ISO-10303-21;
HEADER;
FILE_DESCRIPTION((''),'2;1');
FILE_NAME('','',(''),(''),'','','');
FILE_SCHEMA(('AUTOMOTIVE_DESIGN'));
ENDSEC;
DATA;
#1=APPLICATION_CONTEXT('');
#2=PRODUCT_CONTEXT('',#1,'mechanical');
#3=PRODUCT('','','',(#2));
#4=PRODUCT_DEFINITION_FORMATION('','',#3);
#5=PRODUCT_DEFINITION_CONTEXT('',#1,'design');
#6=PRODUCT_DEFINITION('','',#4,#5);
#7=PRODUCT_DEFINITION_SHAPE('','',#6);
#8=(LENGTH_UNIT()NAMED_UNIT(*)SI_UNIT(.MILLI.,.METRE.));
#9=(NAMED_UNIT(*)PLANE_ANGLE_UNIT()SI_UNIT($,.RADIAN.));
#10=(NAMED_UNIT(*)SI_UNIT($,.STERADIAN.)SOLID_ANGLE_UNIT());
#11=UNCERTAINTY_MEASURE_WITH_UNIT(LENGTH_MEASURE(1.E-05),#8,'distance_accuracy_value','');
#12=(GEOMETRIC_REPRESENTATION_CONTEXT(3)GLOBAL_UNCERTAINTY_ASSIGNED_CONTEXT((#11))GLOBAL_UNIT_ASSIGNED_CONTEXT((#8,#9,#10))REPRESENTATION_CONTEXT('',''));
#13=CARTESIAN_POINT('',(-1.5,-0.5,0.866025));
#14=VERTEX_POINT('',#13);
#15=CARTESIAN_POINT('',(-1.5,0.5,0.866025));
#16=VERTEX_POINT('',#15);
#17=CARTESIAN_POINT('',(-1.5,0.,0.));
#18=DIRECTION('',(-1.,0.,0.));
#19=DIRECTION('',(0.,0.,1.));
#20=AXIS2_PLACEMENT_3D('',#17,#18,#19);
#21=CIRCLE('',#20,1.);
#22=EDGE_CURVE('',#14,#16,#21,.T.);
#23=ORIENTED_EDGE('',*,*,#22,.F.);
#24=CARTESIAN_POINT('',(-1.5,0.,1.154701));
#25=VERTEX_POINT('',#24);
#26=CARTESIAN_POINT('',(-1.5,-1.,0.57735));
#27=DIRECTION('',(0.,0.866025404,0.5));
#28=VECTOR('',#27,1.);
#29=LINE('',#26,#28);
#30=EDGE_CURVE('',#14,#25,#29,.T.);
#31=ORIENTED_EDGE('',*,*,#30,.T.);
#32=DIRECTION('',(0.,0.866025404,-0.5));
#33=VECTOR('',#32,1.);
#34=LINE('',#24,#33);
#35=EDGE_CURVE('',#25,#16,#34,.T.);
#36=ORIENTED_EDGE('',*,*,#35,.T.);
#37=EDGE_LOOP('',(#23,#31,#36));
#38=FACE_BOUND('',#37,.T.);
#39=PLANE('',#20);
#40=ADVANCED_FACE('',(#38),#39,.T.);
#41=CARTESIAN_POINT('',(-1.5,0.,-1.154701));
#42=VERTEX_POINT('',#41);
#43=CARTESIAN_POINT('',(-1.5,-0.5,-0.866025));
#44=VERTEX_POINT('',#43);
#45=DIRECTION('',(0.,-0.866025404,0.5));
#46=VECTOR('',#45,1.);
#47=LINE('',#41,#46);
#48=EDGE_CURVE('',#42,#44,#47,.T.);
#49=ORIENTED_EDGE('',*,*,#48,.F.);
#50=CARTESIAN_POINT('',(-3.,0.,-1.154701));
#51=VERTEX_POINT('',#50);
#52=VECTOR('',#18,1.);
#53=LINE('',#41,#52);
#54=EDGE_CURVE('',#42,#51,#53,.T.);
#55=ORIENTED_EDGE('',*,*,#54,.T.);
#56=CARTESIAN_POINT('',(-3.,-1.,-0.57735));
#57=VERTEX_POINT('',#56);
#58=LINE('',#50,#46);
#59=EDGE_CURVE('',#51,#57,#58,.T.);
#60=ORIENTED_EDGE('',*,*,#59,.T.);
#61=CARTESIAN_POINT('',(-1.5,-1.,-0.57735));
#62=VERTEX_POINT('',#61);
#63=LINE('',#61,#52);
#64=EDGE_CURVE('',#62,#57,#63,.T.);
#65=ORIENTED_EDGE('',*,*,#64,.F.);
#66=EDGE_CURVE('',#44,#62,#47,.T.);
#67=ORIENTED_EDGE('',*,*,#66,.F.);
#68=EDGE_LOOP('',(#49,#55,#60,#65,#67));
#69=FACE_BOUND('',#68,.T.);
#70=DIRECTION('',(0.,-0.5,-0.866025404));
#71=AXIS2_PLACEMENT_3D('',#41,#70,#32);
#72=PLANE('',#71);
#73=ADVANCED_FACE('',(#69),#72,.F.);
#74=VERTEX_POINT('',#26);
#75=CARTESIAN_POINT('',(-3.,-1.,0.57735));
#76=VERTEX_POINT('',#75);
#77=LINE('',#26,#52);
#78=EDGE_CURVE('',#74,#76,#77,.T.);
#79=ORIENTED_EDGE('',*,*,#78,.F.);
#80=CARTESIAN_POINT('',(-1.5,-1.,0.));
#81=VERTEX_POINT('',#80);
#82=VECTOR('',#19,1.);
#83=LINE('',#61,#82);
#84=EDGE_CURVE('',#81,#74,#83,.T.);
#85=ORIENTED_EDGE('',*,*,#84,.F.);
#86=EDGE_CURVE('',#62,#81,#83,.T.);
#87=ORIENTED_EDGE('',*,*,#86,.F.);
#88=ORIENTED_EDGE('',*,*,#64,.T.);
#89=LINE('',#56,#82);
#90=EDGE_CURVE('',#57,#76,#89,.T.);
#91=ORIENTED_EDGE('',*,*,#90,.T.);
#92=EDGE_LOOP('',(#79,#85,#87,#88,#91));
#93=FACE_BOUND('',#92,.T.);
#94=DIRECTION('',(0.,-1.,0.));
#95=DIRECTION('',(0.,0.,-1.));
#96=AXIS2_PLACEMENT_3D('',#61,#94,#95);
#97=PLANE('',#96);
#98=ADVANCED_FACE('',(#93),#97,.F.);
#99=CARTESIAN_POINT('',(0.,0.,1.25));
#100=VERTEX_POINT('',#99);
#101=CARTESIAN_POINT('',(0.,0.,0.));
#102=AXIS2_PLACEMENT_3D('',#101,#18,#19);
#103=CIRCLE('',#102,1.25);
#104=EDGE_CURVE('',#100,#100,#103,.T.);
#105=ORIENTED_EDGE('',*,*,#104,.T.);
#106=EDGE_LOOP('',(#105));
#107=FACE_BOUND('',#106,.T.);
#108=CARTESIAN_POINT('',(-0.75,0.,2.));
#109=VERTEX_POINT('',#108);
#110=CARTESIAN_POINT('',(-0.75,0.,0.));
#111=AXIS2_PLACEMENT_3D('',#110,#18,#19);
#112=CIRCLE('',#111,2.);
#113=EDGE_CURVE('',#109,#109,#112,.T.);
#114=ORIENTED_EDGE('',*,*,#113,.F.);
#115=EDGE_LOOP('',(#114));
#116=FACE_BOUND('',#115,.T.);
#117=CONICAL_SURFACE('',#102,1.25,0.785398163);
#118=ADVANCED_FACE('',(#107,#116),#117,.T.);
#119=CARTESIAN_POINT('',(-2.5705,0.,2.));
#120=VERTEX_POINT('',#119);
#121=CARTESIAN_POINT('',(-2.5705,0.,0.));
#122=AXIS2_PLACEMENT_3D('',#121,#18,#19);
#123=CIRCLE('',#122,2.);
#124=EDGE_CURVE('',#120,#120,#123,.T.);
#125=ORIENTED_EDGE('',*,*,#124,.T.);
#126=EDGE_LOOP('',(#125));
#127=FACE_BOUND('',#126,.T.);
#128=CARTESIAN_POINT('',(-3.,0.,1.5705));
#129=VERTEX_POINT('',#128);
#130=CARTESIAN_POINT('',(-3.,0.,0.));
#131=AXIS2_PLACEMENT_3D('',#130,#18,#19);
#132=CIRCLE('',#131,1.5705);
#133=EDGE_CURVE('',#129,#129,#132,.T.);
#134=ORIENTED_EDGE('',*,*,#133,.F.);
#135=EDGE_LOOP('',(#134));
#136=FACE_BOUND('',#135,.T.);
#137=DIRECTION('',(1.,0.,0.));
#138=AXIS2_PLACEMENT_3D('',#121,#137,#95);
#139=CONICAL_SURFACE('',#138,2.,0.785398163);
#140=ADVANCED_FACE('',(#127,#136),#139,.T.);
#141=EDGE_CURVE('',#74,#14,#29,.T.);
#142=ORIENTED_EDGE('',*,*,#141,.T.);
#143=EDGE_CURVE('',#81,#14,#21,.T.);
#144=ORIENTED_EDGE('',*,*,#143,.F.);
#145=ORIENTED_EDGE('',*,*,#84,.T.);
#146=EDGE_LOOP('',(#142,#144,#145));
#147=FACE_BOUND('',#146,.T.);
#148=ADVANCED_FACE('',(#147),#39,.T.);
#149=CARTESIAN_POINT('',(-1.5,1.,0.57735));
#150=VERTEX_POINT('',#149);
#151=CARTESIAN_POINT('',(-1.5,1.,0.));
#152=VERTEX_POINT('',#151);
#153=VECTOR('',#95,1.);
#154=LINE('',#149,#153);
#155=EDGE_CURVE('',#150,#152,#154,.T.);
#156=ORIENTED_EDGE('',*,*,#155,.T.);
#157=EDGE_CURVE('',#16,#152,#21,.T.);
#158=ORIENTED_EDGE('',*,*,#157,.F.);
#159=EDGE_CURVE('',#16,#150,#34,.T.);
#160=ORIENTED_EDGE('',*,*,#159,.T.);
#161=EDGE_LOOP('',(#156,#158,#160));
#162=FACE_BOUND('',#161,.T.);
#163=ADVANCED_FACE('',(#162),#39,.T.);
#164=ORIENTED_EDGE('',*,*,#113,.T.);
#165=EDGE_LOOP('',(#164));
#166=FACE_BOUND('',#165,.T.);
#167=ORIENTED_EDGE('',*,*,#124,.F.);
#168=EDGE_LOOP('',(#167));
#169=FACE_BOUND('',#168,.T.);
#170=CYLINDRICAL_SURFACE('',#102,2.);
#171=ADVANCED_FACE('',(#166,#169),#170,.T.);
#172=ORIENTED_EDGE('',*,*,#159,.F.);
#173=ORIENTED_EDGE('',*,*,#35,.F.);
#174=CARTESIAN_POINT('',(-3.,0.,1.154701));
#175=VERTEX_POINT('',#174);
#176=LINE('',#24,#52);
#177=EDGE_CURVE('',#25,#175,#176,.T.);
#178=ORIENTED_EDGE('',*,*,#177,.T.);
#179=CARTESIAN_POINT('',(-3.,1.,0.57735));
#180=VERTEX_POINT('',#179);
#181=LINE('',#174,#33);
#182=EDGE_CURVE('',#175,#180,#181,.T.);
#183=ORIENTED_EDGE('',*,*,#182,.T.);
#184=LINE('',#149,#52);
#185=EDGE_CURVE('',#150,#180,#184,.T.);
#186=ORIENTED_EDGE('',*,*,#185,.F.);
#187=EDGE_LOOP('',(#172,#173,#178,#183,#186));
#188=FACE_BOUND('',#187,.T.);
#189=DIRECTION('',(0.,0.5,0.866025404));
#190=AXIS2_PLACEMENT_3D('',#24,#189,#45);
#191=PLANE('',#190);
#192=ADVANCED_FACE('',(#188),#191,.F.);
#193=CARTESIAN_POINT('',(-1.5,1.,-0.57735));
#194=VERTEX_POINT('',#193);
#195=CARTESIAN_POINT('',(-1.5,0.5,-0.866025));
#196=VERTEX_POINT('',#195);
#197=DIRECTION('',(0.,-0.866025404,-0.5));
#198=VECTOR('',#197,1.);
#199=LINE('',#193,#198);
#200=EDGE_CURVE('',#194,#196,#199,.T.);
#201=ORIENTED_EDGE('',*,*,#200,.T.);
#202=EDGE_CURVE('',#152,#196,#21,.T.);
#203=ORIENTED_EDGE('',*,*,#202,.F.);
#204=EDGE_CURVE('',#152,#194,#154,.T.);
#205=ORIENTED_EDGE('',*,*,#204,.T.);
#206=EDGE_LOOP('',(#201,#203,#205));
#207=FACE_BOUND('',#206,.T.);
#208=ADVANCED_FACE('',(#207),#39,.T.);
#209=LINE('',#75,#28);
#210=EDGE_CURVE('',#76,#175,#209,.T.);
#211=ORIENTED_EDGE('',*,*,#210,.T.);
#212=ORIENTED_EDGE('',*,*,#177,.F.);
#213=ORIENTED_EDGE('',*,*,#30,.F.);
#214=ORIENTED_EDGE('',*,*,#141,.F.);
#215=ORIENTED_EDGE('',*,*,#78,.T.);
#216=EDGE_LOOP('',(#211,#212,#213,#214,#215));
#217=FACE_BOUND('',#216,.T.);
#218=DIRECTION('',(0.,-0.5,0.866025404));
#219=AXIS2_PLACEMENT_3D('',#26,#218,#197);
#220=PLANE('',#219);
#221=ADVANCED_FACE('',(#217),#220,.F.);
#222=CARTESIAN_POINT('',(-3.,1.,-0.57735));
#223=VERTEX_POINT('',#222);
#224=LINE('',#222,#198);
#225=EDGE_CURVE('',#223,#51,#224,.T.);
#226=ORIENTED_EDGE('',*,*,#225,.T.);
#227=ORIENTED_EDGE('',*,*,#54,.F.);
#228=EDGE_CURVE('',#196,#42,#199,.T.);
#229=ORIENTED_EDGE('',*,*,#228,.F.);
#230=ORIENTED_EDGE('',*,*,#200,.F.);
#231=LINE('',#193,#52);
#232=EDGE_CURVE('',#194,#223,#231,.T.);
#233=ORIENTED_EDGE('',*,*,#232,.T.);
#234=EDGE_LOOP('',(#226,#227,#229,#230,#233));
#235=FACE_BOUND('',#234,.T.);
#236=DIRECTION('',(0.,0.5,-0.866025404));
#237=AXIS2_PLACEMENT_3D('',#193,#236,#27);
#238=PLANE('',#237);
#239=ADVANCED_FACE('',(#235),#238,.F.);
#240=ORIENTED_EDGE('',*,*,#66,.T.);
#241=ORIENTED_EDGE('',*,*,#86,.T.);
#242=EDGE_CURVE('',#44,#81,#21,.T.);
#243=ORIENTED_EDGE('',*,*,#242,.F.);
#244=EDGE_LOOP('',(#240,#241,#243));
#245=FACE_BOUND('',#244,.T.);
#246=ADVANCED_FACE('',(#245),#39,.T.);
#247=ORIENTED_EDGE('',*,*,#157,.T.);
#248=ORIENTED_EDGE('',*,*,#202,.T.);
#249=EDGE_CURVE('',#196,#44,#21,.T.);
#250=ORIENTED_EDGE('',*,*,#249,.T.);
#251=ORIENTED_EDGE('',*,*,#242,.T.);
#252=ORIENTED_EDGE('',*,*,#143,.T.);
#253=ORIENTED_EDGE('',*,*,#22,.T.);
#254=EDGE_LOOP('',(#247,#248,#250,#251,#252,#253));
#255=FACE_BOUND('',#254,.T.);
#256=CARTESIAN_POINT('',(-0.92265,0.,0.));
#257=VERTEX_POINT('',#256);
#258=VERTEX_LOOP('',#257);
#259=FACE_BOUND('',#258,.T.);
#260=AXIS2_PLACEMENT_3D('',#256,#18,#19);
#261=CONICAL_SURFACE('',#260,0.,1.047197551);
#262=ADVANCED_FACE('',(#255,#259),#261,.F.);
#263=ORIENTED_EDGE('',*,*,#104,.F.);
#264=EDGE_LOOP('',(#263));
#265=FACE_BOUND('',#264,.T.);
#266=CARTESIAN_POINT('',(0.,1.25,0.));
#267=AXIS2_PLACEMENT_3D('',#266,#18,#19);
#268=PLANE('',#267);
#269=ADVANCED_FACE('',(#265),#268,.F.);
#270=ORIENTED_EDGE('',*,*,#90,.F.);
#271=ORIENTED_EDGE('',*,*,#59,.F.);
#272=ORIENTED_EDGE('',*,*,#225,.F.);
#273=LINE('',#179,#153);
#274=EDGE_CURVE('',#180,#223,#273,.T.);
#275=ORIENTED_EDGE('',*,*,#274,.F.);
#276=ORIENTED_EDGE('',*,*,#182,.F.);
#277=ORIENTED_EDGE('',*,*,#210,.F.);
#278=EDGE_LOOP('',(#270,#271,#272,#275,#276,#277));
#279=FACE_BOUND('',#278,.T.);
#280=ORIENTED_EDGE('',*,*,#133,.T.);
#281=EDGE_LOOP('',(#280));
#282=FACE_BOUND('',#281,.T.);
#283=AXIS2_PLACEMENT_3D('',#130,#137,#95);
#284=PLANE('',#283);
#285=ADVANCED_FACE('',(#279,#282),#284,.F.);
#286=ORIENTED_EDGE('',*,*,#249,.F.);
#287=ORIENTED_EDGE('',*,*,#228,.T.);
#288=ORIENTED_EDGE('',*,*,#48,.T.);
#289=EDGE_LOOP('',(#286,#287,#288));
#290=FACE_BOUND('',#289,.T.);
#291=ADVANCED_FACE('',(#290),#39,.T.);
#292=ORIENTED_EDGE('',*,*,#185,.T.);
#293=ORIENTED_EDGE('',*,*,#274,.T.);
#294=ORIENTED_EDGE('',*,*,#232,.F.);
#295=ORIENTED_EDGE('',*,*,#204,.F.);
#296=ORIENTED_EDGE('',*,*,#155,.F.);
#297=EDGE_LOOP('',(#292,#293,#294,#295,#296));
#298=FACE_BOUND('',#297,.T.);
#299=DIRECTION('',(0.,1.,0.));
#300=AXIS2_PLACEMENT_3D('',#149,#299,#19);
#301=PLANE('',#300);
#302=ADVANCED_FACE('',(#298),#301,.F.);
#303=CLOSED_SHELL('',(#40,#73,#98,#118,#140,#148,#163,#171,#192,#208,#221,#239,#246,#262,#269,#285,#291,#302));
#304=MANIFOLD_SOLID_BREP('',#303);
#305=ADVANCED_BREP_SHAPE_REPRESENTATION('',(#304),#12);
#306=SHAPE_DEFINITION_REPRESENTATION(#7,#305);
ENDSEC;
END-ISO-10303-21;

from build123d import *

# Parameters (mm, degrees)
CUT_EXTRUDE_1_DEPTH = 1.5


with BuildPart() as part:
    # ｽｹｯﾁ1 → 回転1 (revolve)
    with BuildSketch(Plane.XY):
        Polygon((-3, 0), (-3, 1.5705), (-2.5705, 2), (-0.75, 2), (0, 1.25), (0, 0), align=None)
    revolve(axis=Axis((0, 0, 0), (-1, 0, 0)))

    # ｽｹｯﾁ2 → ｶｯﾄ - 押し出し1 (cut)
    with BuildSketch(Plane.ZY.offset(3)):
        Polygon((0.577350269, -1), (1.154700538, 0), (0.577350269, 1), (-0.577350269, 1), (-1.154700538, 0), (-0.577350269, -1), align=None)
    extrude(amount=-CUT_EXTRUDE_1_DEPTH, mode=Mode.SUBTRACT)

    # ｽｹｯﾁ3 → ｶｯﾄ - 回転1 (revolve, cut)
    with BuildSketch(Plane.XY):
        Polygon((-1.5, 0), (-1.5, 1), (-0.922649731, 0), align=None)
    revolve(axis=Axis((-0.922649731, 0, 0), (-1, 0, 0)), mode=Mode.SUBTRACT)


solid = part.part
